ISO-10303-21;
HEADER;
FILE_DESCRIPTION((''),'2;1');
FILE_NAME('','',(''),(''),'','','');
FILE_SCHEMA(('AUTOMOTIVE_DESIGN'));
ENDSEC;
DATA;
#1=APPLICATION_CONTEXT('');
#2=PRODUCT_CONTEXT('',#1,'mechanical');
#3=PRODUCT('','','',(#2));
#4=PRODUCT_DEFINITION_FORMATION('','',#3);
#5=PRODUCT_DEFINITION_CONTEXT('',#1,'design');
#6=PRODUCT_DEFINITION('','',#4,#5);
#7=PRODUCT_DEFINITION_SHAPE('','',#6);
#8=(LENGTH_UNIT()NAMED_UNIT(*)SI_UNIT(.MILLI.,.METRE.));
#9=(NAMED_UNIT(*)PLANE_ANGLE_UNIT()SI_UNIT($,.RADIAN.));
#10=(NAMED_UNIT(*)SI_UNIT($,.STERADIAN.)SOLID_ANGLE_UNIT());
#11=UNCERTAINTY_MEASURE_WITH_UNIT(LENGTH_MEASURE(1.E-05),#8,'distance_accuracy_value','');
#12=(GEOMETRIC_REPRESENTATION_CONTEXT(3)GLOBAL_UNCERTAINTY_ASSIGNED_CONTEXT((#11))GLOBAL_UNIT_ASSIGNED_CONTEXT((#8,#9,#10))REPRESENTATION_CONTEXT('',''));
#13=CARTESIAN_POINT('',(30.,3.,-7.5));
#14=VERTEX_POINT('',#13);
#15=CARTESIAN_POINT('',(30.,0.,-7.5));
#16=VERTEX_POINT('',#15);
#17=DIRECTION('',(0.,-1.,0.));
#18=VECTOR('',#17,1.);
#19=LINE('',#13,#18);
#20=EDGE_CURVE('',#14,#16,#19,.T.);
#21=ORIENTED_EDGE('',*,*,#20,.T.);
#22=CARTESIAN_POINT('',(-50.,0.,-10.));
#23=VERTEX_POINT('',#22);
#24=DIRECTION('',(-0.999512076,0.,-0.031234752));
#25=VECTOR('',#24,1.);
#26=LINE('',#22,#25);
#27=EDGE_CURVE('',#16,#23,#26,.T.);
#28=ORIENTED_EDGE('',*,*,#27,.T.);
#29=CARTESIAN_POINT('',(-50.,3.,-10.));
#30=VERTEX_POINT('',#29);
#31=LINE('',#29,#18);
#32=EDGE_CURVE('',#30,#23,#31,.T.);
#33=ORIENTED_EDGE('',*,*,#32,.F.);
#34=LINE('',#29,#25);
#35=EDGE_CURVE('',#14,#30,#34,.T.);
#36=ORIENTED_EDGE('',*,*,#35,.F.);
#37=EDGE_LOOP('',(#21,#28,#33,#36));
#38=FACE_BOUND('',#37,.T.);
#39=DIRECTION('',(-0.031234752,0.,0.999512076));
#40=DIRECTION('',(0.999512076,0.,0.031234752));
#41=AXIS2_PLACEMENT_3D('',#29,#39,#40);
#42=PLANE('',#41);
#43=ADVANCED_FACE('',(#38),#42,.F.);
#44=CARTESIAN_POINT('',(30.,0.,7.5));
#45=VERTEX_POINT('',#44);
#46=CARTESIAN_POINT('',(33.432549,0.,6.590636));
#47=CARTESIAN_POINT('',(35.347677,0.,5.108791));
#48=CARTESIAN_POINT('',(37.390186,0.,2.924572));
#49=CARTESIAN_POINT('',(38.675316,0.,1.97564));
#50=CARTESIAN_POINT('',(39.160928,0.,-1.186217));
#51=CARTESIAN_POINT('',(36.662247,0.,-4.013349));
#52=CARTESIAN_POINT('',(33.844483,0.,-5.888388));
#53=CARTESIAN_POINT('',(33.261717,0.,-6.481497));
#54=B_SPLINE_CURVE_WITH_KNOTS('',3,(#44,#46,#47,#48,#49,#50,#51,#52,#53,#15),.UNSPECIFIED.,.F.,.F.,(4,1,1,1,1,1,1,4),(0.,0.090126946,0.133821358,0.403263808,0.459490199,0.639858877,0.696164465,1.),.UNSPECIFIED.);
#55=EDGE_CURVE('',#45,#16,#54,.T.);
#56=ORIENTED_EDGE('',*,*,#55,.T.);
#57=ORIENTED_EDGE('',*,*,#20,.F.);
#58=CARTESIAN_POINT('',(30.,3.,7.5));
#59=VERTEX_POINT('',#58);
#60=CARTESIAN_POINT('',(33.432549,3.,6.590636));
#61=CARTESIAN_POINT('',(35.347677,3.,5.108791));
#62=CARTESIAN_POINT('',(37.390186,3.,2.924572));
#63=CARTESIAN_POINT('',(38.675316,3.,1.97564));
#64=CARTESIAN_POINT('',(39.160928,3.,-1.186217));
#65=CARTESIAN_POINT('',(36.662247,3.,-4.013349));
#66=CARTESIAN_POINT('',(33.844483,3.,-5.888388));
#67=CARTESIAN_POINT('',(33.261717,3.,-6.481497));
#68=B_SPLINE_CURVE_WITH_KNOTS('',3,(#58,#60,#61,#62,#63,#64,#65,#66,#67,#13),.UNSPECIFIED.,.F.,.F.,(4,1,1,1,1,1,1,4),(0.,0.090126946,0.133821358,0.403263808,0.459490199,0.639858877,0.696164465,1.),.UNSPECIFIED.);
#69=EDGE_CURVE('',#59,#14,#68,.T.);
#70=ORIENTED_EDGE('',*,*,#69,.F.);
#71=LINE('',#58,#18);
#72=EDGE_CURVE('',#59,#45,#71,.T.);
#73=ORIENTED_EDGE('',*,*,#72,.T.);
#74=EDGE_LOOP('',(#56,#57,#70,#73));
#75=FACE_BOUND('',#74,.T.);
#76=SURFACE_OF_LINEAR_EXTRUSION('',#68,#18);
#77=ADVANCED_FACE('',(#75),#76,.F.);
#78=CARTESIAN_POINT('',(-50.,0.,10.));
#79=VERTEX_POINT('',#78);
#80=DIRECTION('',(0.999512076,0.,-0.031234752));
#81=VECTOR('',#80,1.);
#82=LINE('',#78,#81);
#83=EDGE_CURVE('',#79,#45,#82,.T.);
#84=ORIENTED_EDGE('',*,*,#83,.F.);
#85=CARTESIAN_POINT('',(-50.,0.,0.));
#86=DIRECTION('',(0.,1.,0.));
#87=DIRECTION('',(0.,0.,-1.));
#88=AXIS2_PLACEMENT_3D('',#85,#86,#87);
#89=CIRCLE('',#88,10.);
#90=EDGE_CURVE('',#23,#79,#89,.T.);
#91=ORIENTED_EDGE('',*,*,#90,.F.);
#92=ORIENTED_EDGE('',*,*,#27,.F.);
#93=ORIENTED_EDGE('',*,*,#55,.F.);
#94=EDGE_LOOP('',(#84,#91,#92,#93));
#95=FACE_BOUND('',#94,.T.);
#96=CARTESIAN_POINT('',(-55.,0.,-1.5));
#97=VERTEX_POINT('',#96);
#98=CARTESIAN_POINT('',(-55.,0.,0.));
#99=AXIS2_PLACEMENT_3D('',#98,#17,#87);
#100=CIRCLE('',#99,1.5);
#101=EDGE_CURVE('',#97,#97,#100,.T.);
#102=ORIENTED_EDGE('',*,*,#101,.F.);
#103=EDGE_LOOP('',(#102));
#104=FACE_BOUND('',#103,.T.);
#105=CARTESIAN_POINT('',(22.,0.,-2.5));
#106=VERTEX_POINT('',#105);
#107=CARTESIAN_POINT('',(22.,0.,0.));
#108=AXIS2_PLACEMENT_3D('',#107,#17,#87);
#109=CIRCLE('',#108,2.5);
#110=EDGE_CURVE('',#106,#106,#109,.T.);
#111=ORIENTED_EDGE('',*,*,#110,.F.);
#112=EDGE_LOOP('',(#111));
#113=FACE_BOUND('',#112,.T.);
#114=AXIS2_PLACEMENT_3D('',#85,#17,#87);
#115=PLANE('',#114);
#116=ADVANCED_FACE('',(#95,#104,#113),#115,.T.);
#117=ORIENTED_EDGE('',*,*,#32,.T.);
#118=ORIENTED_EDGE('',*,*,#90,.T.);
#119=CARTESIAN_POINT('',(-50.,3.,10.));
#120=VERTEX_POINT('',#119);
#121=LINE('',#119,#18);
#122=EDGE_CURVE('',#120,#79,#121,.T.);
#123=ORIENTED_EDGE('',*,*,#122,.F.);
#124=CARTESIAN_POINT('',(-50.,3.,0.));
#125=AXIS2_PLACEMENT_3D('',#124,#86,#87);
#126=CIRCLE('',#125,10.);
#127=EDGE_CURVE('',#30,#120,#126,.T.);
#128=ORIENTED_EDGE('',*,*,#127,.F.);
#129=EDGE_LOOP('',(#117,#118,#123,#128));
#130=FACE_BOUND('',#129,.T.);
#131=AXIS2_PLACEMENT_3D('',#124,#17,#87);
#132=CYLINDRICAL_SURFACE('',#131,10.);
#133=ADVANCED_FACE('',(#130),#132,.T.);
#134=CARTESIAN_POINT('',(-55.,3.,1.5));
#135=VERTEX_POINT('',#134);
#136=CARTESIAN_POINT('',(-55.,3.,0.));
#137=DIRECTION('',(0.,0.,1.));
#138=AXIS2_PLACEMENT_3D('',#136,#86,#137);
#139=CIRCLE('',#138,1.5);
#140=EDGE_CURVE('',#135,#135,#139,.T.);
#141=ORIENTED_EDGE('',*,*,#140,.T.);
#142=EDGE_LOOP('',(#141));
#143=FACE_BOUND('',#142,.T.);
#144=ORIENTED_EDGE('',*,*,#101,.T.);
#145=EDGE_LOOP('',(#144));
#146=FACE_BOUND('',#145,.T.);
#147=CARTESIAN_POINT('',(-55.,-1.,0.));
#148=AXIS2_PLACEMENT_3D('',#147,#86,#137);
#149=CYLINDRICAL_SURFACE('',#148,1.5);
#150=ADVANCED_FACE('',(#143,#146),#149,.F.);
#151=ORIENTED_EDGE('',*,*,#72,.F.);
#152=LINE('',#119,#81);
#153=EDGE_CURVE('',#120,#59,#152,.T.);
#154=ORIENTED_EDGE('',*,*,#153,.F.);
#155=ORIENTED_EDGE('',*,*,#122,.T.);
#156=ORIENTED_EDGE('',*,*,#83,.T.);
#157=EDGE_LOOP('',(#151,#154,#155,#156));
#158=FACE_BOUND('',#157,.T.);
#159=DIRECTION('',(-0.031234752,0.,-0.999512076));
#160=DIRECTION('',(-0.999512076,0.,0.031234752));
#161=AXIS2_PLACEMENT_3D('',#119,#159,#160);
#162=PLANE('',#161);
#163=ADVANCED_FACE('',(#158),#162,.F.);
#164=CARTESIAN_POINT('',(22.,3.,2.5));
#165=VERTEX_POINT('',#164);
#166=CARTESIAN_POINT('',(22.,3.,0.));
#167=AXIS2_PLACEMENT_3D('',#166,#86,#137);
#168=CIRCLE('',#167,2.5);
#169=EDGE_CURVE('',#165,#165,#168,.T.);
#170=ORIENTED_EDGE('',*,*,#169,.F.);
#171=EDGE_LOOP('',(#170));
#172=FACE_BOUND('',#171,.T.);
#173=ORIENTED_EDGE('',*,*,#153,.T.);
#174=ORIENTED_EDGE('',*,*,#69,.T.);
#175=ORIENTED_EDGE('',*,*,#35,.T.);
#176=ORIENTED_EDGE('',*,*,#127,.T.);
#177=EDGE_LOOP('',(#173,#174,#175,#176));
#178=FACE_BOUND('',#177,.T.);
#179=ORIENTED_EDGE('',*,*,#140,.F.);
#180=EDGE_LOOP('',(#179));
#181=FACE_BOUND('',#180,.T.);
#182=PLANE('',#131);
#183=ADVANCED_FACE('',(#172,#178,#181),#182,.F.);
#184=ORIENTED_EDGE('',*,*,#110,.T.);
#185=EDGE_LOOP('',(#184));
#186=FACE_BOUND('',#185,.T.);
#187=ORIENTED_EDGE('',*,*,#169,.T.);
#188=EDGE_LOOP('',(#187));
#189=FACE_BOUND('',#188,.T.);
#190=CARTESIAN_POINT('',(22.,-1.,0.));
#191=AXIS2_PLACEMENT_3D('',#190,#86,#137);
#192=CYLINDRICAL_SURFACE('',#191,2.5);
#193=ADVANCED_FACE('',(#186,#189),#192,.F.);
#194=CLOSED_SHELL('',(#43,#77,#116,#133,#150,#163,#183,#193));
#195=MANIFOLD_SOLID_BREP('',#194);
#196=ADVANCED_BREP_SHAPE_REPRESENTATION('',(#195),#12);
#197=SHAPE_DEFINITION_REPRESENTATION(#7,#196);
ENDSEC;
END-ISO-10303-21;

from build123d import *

# Parameters (mm, degrees)
ESTRUSIONE_ESTRUSIONE1_DEPTH = 3
SCHIZZO2_R                   = 2.5
SCHIZZO2_R_2                 = 1.5
TAGLIO_ESTRUSIONE1_DEPTH     = 4


with BuildPart() as part:
    # Schizzo1 → Estrusione-Estrusione1 (new body)
    with BuildSketch(Plane(origin=(0, 0, 0), x_dir=(1, 0, 0), z_dir=(0, 1, 0))):
        with BuildLine():
            Line((-50, 10), (30, 7.5))
            add(Edge.make_bspline(
                [(30, 7.5), (33.261716858, 6.481496625), (33.844483216, 5.888387677), (36.662246593, 4.013349049), (39.160928363, 1.186216806), (38.675315874, -1.975639526), (37.390186483, -2.924572182), (35.347677145, -5.108790593), (33.432549191, -6.590635505), (30, -7.5)],
                knots=[0, 0, 0, 0, 0.303835535, 0.360141123, 0.540509801, 0.596736192, 0.866178642, 0.909873054, 1, 1, 1, 1], degree=3))
            Line((30, -7.5), (-50, -10))
            ThreePointArc((-50, -10), (-60, 0), (-50, 10))
        make_face()
    extrude(amount=ESTRUSIONE_ESTRUSIONE1_DEPTH)

    # Schizzo2 → Taglio-Estrusione1 (cut)
    with BuildSketch(Plane(origin=(0, 3, 0), x_dir=(1, 0, 0), z_dir=(0, 1, 0))):
        with Locations(Location((22, 0, 0), (0, 0, 270))):
            Circle(SCHIZZO2_R)
        with Locations(Location((-55, 0, 0), (0, 0, 270))):
            Circle(SCHIZZO2_R_2)
    extrude(amount=-TAGLIO_ESTRUSIONE1_DEPTH, mode=Mode.SUBTRACT)


solid = part.part
